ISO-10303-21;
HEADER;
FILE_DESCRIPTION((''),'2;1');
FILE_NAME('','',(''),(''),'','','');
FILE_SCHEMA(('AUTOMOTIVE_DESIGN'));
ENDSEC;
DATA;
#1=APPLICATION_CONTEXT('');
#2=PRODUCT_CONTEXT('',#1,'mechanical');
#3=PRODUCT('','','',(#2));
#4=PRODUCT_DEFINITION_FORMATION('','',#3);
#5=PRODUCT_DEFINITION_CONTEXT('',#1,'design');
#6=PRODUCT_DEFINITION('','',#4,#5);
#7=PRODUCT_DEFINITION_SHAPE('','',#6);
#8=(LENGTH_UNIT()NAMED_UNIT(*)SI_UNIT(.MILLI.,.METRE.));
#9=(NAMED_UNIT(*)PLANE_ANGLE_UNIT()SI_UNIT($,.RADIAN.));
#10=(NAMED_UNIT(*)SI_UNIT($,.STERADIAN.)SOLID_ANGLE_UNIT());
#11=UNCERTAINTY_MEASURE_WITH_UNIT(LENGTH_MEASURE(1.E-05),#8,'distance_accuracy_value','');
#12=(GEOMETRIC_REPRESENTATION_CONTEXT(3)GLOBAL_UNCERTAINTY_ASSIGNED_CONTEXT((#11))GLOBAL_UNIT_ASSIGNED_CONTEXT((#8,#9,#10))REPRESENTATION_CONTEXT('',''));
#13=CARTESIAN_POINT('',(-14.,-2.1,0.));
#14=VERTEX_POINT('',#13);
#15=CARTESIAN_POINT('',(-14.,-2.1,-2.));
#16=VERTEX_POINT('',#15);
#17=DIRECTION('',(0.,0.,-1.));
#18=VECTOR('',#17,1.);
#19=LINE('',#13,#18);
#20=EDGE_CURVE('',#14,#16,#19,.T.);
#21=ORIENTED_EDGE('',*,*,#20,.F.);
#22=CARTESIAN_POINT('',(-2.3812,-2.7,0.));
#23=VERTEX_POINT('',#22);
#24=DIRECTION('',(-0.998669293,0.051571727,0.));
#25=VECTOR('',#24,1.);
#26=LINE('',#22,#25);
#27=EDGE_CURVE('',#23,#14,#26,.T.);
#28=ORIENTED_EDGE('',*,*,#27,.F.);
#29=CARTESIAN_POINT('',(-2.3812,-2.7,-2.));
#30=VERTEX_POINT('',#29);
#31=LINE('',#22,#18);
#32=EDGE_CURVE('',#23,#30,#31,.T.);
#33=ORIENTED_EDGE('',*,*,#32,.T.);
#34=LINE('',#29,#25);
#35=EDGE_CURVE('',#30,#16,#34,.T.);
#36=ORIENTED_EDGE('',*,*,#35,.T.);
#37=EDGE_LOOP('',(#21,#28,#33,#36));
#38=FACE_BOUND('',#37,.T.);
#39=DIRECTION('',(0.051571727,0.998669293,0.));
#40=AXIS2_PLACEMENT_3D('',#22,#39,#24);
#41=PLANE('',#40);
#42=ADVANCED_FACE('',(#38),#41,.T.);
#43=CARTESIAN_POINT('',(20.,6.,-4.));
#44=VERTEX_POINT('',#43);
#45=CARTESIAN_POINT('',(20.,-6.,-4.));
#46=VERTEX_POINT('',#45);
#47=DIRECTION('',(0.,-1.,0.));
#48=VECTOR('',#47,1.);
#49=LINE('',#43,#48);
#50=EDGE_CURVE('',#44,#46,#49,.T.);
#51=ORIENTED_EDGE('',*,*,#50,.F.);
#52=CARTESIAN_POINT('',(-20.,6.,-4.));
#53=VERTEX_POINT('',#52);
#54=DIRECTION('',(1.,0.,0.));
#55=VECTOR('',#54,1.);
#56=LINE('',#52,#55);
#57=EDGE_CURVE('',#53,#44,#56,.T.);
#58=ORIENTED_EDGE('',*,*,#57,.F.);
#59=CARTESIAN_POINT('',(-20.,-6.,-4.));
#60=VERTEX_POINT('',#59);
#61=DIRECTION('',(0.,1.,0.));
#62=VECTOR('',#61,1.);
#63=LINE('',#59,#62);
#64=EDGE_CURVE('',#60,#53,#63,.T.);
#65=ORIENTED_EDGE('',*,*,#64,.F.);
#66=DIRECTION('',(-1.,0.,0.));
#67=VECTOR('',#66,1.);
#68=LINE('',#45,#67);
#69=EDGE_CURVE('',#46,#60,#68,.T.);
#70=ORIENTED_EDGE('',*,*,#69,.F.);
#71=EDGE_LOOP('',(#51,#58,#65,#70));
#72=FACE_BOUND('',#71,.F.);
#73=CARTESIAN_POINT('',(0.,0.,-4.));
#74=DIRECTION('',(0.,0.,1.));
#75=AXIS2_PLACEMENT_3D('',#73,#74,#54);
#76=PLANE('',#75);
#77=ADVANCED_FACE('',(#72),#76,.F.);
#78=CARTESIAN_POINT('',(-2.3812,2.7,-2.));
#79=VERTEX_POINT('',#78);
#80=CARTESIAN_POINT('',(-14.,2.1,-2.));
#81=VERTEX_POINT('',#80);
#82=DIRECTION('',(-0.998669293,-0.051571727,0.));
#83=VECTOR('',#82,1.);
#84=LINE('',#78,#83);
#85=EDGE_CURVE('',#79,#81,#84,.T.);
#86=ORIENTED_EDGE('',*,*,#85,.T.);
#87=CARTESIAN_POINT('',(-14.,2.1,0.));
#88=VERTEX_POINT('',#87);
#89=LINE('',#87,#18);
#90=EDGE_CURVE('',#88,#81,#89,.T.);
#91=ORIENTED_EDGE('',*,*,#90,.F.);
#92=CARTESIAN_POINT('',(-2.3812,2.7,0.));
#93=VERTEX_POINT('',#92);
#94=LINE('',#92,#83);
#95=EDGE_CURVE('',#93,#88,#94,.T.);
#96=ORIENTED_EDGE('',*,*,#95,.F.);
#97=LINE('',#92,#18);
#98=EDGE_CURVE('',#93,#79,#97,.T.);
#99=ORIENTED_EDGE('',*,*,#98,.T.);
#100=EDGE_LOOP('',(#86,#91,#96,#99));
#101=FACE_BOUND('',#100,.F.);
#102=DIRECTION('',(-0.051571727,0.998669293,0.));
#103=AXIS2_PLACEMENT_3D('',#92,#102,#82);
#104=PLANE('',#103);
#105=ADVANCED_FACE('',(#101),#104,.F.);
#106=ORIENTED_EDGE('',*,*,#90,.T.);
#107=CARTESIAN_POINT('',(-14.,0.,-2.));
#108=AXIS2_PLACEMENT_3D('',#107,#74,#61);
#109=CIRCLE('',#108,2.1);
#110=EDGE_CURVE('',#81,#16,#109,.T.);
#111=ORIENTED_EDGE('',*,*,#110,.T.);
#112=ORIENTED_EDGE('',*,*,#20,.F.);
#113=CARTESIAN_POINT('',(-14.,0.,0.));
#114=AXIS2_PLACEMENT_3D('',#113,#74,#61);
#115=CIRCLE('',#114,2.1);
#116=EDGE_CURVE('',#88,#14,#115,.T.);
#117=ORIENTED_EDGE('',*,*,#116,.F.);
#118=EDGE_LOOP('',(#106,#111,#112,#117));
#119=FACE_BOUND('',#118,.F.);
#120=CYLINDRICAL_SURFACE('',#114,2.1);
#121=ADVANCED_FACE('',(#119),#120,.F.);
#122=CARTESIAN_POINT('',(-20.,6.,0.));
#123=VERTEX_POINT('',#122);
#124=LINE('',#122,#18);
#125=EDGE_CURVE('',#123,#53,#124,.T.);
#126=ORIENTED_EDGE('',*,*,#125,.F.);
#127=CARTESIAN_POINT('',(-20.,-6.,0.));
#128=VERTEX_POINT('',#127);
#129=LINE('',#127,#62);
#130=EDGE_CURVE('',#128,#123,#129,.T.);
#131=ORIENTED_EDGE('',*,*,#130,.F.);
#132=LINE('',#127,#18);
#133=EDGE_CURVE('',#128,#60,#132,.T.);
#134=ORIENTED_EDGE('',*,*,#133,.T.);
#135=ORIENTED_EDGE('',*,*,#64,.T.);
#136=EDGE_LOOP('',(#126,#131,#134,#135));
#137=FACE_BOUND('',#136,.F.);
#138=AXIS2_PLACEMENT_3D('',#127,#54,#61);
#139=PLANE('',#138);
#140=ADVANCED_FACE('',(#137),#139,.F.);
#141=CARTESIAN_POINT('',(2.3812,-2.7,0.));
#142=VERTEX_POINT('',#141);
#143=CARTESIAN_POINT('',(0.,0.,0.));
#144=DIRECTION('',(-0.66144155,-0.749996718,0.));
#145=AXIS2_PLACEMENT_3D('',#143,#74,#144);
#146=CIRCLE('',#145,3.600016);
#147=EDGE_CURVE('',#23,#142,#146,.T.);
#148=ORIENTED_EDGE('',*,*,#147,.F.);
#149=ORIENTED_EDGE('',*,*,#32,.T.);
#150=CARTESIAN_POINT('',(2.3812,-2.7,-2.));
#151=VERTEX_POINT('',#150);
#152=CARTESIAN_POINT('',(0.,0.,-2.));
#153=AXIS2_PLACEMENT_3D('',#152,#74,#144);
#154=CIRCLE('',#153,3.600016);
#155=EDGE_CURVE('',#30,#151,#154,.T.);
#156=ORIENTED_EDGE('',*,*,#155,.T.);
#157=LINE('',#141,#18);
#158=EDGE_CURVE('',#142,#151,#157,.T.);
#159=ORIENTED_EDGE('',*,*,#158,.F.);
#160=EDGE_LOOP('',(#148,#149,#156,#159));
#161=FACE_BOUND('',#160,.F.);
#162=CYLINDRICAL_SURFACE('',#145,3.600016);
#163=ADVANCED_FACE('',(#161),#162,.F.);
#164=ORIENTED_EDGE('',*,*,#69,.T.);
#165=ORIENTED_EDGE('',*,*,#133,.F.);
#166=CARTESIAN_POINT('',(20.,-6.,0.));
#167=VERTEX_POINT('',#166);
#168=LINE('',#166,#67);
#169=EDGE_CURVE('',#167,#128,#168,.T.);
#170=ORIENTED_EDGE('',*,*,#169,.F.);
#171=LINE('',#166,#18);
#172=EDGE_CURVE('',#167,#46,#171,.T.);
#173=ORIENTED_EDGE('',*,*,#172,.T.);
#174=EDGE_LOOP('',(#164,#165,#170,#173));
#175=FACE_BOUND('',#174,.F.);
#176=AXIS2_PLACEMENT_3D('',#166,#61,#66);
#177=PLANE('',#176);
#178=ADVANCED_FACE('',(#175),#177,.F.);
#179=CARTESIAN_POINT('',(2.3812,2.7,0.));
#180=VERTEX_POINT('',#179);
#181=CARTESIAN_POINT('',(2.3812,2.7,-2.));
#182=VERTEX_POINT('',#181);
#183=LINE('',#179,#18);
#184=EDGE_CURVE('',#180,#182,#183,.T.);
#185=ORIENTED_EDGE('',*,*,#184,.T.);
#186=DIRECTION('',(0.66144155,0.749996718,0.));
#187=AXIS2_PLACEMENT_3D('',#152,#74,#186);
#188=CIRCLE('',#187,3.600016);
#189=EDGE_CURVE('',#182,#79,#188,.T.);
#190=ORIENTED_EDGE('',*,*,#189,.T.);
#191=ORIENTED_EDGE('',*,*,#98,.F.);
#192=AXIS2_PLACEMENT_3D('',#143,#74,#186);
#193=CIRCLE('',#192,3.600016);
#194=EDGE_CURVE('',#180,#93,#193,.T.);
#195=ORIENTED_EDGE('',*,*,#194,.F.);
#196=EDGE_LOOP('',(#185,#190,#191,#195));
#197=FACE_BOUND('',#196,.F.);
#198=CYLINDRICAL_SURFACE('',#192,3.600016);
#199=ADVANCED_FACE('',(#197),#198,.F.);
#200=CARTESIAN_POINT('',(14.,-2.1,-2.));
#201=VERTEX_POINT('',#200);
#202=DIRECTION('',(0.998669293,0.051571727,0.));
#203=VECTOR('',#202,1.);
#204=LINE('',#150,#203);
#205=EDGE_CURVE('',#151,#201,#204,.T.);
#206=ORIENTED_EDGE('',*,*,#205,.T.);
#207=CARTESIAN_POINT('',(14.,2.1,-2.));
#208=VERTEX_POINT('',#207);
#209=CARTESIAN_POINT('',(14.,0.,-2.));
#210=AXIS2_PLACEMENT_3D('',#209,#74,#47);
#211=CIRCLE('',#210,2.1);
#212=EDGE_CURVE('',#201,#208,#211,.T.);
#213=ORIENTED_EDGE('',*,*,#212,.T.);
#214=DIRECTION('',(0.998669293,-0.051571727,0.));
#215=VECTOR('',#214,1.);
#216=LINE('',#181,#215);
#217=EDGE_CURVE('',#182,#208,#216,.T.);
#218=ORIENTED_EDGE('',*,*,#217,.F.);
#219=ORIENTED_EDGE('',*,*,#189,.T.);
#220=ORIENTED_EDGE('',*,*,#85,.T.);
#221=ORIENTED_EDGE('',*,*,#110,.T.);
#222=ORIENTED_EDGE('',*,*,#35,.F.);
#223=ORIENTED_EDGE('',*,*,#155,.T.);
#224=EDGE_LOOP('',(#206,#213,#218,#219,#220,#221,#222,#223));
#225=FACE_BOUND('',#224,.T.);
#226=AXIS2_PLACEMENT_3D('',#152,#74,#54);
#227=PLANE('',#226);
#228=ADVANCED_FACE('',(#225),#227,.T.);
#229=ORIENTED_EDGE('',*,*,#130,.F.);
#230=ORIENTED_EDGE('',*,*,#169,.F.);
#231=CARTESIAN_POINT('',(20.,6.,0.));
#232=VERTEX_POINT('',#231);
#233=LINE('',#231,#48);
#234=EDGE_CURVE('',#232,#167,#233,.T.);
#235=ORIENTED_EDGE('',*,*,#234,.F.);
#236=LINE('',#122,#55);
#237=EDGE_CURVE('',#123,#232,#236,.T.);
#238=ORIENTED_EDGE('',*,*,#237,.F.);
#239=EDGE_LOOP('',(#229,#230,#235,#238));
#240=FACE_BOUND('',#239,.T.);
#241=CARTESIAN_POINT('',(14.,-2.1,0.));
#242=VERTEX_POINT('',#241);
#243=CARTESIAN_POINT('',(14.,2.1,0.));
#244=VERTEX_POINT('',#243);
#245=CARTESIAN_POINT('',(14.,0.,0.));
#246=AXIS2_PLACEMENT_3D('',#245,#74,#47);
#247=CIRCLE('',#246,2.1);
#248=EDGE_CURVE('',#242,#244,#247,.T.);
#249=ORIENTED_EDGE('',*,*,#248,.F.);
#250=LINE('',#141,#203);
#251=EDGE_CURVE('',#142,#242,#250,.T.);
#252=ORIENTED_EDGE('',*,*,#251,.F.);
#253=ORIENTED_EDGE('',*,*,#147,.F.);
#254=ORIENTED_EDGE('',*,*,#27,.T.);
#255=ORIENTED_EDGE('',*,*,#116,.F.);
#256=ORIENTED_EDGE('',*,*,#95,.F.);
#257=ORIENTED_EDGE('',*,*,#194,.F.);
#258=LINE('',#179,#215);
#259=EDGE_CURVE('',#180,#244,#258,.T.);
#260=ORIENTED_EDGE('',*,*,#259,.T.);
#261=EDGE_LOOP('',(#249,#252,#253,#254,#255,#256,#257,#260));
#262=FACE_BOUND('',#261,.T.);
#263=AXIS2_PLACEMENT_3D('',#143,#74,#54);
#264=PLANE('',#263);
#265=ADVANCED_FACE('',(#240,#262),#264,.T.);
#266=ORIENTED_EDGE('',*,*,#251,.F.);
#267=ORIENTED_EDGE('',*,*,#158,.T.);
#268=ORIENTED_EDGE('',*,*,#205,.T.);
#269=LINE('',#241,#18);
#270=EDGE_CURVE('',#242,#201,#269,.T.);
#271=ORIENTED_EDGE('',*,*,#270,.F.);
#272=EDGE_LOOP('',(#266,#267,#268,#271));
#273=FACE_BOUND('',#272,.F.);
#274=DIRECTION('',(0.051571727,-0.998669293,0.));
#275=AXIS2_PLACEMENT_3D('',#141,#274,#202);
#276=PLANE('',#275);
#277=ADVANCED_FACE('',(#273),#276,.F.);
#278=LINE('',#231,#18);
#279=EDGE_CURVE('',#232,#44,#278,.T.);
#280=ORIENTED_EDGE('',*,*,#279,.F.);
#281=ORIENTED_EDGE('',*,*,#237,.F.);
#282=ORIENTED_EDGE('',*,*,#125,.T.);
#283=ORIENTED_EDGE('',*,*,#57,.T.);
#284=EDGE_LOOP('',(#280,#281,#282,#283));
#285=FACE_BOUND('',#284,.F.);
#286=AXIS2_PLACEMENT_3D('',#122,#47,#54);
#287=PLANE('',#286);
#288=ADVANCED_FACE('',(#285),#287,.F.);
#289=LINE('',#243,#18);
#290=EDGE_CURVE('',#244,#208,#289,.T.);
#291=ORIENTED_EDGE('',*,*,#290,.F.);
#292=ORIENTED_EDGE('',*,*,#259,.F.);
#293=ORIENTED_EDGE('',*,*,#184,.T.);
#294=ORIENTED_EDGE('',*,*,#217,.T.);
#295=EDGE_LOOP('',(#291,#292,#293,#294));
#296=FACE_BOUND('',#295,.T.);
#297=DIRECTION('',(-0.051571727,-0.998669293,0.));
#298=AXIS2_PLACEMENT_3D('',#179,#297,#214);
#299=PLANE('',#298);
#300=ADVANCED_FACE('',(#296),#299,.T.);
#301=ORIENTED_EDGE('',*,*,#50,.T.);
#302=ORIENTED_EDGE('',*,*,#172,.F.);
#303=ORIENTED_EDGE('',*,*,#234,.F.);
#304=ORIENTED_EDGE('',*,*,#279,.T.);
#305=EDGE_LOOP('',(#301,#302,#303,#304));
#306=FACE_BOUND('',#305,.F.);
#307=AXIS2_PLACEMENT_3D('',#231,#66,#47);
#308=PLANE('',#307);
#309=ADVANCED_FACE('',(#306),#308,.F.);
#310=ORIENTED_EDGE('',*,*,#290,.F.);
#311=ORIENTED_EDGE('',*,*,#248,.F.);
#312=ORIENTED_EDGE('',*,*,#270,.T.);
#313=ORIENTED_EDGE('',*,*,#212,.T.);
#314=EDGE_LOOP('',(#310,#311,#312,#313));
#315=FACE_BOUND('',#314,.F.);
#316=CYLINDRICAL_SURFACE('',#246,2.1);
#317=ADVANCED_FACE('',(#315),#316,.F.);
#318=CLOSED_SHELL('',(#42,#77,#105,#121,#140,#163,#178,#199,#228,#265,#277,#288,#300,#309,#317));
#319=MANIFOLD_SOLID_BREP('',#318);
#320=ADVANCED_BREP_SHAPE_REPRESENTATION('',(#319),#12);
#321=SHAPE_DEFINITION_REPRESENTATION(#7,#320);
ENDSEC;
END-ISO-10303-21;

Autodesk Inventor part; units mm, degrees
ref_plane "YZ Plane" through (0, 0, 0) normal (1, 0, 0) x (0, 1, 0)
ref_plane "XZ Plane" through (0, 0, 0) normal (0, 1, 0) x (-1, 0, 0)
ref_plane "XY Plane" through (0, 0, 0) normal (0, 0, 1) x (1, 0, 0)
sketch "Sketch2" plane through (0, 0, 0) normal (0, 0, 1) x (1, 0, 0)
  line L0 (-20, 6) -> (20, 6)
  line L1 (20, 6) -> (20, -6)
  line L2 (20, -6) -> (-20, -6)
  line L3 (-20, -6) -> (-20, 6)
  line L4 (-20, 6) -> (20, -6) construction
  line L5 (20, 6) -> (-20, -6) construction
  point P0 (0, 0)
  dimension "d0" = 40
  dimension "d1" = 12
extrude "Extrusion1" add sketch "Sketch2" against normal blind 4
sketch "Sketch3" plane through (0, 0, 0) normal (0, 0, 1) x (1, 0, 0)
  line L0 (0, 0) -> (16.1, 0) construction
  line L1 (0, 0) -> (16.1, 0) construction
  arc A0 (14, -2.1) -> (14, 2.1) centre (14, 0) ccw
  line L2 (2.3812, 0) -> (2.3812, 2.7) construction
  line L3 (2.3812, 2.7) -> (14, 2.1)
  line L4 (2.3812, -2.7) -> (14, -2.1)
  line L5 (0, 0) -> (0, 3.6) construction
  arc A1 (-14, 2.1) -> (-14, -2.1) centre (-14, 0) ccw
  line L6 (-2.3812, 2.7) -> (-14, 2.1)
  line L7 (-2.3812, -2.7) -> (-14, -2.1)
  arc A2 (2.3812, 2.7) -> (-2.3812, 2.7) centre (0, 0) ccw
  arc A3 (-2.3812, -2.7) -> (2.3812, -2.7) centre (0, 0) ccw
  dimension "d10" = 16.1
  dimension "d12" = 2.7
extrude "Extrusion3" cut sketch "Sketch3" against normal blind 2
properties part number "micro_horn_test"
